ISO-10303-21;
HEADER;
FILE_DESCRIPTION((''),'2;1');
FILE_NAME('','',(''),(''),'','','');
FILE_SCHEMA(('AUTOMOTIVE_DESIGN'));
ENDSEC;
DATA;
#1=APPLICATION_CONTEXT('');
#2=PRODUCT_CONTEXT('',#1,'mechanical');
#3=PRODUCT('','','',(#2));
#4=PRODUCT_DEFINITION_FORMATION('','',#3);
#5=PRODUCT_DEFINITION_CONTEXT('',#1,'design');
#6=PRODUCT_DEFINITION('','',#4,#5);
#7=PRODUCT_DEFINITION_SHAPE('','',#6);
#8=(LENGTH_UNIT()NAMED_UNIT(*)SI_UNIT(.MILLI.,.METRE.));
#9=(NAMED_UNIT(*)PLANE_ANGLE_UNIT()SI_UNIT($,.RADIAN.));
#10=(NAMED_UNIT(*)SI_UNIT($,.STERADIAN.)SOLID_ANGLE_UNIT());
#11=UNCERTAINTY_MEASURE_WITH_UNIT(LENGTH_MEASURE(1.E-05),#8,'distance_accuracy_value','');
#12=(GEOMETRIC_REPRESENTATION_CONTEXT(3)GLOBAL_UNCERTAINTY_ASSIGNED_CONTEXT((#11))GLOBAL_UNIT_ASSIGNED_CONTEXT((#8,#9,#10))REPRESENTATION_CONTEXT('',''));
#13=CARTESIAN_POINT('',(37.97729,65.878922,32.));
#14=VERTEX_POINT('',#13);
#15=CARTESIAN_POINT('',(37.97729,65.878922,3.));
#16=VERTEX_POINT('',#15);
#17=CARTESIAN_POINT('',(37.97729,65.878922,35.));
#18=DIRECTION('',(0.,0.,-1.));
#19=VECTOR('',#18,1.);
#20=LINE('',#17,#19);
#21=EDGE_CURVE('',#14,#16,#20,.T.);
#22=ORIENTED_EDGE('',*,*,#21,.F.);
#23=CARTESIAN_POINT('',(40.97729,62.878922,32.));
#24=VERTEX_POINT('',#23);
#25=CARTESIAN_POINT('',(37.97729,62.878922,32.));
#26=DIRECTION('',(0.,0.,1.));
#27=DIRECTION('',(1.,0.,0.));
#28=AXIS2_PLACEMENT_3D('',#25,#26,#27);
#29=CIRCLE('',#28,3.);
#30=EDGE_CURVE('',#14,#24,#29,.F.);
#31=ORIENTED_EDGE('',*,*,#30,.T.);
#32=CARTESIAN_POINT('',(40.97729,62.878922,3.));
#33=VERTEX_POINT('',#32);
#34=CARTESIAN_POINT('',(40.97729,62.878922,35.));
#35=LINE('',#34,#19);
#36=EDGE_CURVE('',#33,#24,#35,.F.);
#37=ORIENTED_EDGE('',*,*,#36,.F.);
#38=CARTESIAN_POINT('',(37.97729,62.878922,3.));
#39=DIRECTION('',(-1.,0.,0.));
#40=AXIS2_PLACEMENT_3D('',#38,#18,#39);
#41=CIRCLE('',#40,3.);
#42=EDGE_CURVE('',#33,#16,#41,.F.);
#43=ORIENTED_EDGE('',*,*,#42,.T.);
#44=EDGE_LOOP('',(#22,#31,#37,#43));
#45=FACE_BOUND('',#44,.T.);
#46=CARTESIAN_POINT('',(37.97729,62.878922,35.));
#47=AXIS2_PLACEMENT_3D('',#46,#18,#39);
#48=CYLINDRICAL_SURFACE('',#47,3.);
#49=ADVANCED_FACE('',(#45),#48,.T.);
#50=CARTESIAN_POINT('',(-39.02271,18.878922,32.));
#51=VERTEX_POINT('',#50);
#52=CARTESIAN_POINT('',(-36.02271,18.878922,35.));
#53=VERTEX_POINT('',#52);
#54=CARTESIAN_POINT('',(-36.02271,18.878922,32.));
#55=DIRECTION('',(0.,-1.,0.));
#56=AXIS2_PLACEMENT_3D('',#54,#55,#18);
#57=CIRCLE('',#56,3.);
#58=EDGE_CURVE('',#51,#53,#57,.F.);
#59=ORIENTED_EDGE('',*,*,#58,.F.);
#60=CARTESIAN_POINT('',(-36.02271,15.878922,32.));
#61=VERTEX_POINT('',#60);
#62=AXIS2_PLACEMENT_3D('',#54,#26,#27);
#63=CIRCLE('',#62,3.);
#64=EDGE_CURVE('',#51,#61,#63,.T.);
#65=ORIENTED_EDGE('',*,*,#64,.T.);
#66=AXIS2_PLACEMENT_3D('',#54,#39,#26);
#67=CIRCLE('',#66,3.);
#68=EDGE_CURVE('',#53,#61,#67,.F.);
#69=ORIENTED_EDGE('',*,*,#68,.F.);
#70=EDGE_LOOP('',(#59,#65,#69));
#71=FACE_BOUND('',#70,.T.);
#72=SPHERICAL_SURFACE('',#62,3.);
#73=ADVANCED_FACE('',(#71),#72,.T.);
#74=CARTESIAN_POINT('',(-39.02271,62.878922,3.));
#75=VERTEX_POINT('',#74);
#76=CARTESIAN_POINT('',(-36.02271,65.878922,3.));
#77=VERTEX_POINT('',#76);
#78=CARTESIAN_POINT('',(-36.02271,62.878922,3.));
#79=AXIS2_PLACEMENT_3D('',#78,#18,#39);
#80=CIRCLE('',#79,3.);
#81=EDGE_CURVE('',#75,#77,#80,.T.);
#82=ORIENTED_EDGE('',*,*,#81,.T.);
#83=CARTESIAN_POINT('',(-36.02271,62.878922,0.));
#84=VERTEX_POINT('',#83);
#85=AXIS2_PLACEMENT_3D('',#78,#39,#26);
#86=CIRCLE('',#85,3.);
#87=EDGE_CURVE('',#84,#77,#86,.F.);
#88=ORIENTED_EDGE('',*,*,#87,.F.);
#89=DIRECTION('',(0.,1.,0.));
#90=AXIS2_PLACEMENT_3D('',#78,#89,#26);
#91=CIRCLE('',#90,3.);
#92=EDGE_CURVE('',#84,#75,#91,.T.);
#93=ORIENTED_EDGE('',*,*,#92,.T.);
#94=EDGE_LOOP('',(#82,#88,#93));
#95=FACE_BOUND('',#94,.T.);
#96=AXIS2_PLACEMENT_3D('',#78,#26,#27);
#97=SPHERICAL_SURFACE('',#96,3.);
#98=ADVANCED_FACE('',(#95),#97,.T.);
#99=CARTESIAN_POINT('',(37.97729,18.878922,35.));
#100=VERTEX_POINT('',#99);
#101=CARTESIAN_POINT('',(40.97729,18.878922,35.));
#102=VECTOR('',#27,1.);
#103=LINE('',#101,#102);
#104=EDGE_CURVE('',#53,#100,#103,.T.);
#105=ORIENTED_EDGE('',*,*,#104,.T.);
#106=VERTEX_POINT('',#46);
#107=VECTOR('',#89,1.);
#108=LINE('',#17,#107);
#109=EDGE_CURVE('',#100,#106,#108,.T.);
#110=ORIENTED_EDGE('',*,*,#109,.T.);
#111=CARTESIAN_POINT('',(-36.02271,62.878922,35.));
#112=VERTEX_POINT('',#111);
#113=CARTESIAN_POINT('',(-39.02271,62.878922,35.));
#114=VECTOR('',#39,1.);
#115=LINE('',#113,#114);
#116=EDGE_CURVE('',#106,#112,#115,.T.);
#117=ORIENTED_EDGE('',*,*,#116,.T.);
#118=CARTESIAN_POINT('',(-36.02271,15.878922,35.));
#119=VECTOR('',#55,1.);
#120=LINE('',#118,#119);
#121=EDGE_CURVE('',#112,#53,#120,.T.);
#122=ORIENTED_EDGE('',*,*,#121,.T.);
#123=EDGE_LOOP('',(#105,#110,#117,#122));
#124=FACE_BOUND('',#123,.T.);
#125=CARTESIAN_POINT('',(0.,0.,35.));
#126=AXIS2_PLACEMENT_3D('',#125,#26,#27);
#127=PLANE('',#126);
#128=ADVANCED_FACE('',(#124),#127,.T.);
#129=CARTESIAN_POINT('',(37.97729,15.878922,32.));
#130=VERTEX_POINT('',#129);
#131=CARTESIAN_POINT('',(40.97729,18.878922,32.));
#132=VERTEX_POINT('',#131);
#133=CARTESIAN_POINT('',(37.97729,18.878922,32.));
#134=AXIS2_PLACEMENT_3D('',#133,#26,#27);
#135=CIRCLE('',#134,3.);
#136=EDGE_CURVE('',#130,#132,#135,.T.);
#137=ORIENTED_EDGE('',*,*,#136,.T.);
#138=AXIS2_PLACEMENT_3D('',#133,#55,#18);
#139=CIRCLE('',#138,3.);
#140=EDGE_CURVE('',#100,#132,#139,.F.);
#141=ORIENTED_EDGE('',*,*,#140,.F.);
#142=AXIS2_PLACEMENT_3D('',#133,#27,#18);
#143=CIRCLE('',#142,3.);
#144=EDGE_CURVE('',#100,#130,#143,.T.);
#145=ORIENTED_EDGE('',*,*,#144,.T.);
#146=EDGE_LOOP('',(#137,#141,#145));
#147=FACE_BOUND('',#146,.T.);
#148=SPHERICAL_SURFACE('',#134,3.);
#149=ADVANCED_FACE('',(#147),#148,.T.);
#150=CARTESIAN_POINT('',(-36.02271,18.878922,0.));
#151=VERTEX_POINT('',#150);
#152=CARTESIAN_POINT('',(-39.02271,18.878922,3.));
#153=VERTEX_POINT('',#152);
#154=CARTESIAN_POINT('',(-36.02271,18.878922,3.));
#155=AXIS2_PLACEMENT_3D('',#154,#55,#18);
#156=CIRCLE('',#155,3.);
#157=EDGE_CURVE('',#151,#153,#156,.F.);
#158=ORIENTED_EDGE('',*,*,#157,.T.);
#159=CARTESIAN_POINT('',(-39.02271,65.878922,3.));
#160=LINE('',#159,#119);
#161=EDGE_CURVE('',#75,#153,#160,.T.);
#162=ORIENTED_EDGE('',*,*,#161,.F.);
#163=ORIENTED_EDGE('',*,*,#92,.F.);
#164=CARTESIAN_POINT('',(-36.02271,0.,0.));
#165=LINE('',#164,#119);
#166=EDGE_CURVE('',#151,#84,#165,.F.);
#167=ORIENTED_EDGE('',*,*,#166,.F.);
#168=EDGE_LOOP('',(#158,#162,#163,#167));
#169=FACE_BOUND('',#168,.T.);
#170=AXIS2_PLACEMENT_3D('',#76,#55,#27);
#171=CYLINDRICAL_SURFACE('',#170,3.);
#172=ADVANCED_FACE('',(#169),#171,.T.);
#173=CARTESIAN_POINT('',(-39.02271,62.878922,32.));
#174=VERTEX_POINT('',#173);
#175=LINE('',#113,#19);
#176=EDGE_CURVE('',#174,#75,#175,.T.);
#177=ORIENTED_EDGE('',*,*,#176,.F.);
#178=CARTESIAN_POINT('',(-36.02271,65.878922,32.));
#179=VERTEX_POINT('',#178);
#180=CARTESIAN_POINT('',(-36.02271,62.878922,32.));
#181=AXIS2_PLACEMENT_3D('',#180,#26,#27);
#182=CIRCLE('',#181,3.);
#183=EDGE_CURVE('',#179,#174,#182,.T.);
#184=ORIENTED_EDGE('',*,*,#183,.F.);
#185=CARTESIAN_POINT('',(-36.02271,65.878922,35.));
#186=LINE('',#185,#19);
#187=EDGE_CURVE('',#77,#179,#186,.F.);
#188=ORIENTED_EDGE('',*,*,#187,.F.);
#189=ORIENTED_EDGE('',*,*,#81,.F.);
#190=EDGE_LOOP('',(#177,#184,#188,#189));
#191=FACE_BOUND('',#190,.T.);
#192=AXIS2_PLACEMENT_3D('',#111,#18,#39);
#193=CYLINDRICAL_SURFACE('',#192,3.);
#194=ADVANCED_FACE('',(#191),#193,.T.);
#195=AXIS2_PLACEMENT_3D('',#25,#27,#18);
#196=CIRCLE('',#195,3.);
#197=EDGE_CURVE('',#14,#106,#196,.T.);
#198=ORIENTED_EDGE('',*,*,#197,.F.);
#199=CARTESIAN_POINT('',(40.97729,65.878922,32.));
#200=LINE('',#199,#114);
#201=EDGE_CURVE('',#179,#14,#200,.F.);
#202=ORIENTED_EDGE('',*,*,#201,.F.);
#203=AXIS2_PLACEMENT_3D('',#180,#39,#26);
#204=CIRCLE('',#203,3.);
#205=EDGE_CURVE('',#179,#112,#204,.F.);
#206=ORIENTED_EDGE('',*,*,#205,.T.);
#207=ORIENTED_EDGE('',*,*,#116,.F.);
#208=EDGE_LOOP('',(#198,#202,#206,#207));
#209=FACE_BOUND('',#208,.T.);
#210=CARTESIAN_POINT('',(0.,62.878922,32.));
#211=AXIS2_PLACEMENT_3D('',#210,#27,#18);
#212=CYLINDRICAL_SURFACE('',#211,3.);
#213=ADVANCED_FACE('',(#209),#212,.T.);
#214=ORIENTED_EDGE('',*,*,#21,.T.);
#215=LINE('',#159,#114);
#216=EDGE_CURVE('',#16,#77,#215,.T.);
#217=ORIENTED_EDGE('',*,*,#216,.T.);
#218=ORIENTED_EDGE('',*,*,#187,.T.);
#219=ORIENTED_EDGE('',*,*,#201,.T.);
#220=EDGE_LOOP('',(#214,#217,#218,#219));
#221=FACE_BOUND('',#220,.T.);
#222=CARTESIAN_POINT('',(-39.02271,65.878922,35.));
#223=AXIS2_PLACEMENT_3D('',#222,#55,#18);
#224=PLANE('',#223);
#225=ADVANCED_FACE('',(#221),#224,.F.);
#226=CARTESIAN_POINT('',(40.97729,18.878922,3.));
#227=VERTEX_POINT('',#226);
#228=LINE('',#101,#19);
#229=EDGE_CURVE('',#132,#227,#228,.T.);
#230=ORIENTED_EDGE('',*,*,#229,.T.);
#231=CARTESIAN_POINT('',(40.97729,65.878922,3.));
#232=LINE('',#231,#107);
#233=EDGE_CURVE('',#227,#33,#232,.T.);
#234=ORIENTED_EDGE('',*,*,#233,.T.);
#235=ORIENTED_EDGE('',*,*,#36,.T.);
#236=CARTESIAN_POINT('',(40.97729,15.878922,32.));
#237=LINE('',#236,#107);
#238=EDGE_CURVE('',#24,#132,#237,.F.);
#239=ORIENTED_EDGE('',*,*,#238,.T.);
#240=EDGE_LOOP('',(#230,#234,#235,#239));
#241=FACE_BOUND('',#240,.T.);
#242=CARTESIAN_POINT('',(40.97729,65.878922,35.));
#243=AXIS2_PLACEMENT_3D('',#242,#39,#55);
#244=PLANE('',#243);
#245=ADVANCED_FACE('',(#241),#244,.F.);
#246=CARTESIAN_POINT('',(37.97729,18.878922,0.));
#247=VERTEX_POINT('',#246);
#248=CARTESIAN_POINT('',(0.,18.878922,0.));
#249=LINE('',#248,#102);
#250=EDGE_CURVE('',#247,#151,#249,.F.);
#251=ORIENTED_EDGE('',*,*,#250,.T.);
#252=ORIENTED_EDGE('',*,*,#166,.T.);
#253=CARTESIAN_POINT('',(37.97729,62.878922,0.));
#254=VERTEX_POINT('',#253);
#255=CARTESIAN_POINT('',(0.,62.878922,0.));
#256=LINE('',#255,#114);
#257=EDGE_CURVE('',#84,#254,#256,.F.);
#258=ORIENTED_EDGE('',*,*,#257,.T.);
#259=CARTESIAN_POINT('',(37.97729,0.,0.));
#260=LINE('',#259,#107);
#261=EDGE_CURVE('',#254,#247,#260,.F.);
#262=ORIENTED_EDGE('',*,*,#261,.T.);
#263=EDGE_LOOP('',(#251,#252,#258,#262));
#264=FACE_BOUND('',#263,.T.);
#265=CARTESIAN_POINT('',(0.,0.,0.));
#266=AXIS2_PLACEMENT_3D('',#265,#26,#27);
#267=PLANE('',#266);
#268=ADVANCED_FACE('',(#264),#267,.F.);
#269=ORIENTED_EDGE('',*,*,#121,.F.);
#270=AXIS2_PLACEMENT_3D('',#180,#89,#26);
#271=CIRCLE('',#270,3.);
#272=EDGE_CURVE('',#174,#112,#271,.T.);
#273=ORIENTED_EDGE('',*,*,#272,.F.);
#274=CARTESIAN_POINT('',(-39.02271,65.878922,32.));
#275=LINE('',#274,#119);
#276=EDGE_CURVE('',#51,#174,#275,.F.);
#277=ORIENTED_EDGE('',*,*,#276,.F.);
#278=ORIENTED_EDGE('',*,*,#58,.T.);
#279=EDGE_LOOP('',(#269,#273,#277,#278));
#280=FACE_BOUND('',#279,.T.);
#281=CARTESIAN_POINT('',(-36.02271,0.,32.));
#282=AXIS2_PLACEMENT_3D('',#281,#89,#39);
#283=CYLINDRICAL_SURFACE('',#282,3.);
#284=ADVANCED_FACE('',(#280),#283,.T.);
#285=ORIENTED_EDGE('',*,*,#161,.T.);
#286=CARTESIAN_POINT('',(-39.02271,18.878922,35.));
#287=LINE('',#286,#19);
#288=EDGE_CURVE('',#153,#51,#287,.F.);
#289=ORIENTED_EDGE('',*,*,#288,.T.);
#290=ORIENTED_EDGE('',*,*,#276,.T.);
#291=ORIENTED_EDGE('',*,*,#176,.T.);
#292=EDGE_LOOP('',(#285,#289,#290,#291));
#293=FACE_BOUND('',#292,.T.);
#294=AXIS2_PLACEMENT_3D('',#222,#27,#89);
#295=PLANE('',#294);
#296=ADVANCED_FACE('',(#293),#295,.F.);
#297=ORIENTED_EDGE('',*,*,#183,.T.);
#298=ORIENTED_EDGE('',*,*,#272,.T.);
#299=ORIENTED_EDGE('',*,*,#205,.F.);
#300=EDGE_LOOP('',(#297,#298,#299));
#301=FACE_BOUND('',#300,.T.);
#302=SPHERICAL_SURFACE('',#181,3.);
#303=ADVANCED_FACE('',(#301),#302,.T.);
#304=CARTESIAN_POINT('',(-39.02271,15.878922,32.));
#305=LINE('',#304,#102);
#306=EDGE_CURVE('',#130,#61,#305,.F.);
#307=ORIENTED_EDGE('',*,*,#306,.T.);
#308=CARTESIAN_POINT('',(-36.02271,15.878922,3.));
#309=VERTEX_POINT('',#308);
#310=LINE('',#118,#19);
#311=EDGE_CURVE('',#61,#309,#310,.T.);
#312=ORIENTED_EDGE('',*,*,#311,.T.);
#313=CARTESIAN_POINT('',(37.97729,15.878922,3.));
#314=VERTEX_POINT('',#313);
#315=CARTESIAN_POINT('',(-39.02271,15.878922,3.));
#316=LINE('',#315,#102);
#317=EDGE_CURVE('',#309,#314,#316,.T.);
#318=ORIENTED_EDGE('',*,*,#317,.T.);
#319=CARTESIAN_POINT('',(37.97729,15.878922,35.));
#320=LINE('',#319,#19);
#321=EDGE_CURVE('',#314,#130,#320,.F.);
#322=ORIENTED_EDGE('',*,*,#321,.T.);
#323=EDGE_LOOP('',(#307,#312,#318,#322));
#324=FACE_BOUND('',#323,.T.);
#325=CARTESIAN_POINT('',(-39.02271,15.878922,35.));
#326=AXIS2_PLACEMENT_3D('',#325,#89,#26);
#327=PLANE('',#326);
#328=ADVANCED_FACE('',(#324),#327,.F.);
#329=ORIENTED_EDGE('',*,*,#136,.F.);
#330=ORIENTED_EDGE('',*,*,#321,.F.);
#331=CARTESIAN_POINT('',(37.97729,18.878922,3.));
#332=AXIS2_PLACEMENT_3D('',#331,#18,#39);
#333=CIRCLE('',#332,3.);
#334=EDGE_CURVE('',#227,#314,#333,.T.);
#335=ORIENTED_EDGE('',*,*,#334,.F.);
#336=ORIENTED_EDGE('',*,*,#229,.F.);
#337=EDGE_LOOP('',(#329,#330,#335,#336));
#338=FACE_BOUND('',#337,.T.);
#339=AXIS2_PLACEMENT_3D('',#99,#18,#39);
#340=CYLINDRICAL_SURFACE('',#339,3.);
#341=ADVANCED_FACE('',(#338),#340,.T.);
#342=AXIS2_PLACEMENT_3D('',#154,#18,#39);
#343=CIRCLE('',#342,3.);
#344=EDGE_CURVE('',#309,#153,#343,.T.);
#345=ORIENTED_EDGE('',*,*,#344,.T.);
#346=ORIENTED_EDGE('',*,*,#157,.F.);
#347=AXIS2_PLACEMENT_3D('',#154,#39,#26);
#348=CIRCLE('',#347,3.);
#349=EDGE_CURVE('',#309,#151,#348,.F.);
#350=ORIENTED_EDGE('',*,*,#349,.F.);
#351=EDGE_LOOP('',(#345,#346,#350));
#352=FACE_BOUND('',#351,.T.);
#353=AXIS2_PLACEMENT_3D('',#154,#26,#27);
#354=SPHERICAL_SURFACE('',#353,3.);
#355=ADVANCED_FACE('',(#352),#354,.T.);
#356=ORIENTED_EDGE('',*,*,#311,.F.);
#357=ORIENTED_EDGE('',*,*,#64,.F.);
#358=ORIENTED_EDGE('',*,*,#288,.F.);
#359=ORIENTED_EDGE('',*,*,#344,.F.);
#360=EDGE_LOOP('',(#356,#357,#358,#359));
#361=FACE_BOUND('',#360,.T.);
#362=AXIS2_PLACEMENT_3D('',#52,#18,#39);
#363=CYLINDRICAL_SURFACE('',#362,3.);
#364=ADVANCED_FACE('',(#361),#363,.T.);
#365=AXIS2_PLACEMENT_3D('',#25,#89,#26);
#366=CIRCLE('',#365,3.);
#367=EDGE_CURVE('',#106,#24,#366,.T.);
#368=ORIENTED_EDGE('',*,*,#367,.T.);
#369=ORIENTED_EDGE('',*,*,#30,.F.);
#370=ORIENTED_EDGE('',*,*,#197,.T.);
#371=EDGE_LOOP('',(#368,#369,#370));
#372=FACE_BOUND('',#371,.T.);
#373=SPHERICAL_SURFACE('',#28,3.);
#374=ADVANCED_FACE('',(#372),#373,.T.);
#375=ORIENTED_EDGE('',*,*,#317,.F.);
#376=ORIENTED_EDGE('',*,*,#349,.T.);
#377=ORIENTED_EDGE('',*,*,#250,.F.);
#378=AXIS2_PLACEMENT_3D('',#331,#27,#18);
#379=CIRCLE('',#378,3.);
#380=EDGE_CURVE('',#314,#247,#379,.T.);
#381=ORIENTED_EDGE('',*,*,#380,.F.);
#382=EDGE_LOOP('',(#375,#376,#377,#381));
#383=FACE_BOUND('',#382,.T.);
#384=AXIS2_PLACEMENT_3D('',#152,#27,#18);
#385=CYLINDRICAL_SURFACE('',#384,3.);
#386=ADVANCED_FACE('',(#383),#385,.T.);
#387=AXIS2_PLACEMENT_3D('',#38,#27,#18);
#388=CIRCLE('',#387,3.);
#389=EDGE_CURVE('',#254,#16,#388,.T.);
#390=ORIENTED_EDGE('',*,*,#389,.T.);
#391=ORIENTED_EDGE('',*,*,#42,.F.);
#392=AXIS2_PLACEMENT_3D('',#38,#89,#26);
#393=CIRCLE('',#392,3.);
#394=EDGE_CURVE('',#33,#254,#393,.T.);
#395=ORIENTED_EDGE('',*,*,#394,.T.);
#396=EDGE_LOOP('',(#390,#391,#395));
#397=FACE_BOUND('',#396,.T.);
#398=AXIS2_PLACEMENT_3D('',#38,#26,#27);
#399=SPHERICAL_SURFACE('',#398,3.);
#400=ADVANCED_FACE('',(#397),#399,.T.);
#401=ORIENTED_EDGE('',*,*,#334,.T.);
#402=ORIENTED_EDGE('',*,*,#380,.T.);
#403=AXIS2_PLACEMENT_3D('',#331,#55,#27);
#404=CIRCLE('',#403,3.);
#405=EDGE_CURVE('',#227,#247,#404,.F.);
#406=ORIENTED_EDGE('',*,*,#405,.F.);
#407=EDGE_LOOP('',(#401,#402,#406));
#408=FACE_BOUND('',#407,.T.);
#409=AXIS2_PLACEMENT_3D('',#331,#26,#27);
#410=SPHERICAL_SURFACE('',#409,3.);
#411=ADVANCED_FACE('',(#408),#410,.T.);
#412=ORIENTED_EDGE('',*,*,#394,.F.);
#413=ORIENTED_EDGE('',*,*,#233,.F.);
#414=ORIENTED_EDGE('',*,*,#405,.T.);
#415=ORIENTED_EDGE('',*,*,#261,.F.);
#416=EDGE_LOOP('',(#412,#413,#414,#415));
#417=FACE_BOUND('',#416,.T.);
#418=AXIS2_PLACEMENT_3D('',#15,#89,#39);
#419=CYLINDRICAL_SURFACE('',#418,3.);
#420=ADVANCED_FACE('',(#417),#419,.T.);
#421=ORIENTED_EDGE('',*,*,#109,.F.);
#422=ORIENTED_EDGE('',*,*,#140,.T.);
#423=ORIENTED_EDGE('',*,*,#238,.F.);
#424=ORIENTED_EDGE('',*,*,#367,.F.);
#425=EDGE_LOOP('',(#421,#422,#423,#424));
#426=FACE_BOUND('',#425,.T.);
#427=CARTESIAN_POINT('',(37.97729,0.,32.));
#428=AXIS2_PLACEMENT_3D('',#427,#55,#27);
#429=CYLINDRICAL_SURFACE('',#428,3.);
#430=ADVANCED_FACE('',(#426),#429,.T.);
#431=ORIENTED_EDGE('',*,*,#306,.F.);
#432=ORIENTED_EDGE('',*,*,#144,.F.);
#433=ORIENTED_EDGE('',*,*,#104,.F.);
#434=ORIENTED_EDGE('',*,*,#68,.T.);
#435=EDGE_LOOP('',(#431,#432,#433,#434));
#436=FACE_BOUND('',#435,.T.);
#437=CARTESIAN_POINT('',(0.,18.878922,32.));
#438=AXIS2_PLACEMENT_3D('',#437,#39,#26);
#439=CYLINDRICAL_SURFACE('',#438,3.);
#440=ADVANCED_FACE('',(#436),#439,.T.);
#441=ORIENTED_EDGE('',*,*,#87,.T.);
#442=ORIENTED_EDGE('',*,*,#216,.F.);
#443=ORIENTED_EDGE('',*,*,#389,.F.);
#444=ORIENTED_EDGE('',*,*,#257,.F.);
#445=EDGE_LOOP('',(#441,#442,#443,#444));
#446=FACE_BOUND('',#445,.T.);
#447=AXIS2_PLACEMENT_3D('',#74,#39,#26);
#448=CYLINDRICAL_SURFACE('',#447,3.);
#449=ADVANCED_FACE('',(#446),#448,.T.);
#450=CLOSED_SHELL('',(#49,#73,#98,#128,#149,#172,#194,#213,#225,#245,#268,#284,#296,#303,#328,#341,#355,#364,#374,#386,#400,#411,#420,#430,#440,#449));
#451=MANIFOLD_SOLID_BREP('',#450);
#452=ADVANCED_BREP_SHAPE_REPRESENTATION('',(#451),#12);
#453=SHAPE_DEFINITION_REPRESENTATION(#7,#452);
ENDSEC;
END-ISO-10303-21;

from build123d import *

# Parameters (mm, degrees)
SKETCH1_W           = 80
SKETCH1_H           = 50
BOSS_EXTRUDE1_DEPTH = 35
FILLET1_R           = 3


with BuildPart() as part:
    # Sketch1 → Boss-Extrude1 (new body)
    with BuildSketch(Plane.XY):
        with Locations((0.977289629, 40.878922039)):
            Rectangle(SKETCH1_W, SKETCH1_H)
    extrude(amount=BOSS_EXTRUDE1_DEPTH)

    # Fillet1
    fillet1_edges = [part.edges().sort_by_distance(p)[0] for p in [
        (40.977289629, 40.878922039, 35),
        (0.977289629, 65.878922039, 35),
        (-39.022710371, 40.878922039, 35),
        (0.977289629, 65.878922039, 0),
        (40.977289629, 40.878922039, 0),
        (0.977289629, 15.878922039, 0),
        (-39.022710371, 40.878922039, 0),
        (0.977289629, 15.878922039, 35),
        (-39.022710371, 65.878922039, 17.5),
        (40.977289629, 65.878922039, 17.5),
        (40.977289629, 15.878922039, 17.5),
        (-39.022710371, 15.878922039, 17.5),
    ]]
    fillet(fillet1_edges, radius=FILLET1_R)


solid = part.part
